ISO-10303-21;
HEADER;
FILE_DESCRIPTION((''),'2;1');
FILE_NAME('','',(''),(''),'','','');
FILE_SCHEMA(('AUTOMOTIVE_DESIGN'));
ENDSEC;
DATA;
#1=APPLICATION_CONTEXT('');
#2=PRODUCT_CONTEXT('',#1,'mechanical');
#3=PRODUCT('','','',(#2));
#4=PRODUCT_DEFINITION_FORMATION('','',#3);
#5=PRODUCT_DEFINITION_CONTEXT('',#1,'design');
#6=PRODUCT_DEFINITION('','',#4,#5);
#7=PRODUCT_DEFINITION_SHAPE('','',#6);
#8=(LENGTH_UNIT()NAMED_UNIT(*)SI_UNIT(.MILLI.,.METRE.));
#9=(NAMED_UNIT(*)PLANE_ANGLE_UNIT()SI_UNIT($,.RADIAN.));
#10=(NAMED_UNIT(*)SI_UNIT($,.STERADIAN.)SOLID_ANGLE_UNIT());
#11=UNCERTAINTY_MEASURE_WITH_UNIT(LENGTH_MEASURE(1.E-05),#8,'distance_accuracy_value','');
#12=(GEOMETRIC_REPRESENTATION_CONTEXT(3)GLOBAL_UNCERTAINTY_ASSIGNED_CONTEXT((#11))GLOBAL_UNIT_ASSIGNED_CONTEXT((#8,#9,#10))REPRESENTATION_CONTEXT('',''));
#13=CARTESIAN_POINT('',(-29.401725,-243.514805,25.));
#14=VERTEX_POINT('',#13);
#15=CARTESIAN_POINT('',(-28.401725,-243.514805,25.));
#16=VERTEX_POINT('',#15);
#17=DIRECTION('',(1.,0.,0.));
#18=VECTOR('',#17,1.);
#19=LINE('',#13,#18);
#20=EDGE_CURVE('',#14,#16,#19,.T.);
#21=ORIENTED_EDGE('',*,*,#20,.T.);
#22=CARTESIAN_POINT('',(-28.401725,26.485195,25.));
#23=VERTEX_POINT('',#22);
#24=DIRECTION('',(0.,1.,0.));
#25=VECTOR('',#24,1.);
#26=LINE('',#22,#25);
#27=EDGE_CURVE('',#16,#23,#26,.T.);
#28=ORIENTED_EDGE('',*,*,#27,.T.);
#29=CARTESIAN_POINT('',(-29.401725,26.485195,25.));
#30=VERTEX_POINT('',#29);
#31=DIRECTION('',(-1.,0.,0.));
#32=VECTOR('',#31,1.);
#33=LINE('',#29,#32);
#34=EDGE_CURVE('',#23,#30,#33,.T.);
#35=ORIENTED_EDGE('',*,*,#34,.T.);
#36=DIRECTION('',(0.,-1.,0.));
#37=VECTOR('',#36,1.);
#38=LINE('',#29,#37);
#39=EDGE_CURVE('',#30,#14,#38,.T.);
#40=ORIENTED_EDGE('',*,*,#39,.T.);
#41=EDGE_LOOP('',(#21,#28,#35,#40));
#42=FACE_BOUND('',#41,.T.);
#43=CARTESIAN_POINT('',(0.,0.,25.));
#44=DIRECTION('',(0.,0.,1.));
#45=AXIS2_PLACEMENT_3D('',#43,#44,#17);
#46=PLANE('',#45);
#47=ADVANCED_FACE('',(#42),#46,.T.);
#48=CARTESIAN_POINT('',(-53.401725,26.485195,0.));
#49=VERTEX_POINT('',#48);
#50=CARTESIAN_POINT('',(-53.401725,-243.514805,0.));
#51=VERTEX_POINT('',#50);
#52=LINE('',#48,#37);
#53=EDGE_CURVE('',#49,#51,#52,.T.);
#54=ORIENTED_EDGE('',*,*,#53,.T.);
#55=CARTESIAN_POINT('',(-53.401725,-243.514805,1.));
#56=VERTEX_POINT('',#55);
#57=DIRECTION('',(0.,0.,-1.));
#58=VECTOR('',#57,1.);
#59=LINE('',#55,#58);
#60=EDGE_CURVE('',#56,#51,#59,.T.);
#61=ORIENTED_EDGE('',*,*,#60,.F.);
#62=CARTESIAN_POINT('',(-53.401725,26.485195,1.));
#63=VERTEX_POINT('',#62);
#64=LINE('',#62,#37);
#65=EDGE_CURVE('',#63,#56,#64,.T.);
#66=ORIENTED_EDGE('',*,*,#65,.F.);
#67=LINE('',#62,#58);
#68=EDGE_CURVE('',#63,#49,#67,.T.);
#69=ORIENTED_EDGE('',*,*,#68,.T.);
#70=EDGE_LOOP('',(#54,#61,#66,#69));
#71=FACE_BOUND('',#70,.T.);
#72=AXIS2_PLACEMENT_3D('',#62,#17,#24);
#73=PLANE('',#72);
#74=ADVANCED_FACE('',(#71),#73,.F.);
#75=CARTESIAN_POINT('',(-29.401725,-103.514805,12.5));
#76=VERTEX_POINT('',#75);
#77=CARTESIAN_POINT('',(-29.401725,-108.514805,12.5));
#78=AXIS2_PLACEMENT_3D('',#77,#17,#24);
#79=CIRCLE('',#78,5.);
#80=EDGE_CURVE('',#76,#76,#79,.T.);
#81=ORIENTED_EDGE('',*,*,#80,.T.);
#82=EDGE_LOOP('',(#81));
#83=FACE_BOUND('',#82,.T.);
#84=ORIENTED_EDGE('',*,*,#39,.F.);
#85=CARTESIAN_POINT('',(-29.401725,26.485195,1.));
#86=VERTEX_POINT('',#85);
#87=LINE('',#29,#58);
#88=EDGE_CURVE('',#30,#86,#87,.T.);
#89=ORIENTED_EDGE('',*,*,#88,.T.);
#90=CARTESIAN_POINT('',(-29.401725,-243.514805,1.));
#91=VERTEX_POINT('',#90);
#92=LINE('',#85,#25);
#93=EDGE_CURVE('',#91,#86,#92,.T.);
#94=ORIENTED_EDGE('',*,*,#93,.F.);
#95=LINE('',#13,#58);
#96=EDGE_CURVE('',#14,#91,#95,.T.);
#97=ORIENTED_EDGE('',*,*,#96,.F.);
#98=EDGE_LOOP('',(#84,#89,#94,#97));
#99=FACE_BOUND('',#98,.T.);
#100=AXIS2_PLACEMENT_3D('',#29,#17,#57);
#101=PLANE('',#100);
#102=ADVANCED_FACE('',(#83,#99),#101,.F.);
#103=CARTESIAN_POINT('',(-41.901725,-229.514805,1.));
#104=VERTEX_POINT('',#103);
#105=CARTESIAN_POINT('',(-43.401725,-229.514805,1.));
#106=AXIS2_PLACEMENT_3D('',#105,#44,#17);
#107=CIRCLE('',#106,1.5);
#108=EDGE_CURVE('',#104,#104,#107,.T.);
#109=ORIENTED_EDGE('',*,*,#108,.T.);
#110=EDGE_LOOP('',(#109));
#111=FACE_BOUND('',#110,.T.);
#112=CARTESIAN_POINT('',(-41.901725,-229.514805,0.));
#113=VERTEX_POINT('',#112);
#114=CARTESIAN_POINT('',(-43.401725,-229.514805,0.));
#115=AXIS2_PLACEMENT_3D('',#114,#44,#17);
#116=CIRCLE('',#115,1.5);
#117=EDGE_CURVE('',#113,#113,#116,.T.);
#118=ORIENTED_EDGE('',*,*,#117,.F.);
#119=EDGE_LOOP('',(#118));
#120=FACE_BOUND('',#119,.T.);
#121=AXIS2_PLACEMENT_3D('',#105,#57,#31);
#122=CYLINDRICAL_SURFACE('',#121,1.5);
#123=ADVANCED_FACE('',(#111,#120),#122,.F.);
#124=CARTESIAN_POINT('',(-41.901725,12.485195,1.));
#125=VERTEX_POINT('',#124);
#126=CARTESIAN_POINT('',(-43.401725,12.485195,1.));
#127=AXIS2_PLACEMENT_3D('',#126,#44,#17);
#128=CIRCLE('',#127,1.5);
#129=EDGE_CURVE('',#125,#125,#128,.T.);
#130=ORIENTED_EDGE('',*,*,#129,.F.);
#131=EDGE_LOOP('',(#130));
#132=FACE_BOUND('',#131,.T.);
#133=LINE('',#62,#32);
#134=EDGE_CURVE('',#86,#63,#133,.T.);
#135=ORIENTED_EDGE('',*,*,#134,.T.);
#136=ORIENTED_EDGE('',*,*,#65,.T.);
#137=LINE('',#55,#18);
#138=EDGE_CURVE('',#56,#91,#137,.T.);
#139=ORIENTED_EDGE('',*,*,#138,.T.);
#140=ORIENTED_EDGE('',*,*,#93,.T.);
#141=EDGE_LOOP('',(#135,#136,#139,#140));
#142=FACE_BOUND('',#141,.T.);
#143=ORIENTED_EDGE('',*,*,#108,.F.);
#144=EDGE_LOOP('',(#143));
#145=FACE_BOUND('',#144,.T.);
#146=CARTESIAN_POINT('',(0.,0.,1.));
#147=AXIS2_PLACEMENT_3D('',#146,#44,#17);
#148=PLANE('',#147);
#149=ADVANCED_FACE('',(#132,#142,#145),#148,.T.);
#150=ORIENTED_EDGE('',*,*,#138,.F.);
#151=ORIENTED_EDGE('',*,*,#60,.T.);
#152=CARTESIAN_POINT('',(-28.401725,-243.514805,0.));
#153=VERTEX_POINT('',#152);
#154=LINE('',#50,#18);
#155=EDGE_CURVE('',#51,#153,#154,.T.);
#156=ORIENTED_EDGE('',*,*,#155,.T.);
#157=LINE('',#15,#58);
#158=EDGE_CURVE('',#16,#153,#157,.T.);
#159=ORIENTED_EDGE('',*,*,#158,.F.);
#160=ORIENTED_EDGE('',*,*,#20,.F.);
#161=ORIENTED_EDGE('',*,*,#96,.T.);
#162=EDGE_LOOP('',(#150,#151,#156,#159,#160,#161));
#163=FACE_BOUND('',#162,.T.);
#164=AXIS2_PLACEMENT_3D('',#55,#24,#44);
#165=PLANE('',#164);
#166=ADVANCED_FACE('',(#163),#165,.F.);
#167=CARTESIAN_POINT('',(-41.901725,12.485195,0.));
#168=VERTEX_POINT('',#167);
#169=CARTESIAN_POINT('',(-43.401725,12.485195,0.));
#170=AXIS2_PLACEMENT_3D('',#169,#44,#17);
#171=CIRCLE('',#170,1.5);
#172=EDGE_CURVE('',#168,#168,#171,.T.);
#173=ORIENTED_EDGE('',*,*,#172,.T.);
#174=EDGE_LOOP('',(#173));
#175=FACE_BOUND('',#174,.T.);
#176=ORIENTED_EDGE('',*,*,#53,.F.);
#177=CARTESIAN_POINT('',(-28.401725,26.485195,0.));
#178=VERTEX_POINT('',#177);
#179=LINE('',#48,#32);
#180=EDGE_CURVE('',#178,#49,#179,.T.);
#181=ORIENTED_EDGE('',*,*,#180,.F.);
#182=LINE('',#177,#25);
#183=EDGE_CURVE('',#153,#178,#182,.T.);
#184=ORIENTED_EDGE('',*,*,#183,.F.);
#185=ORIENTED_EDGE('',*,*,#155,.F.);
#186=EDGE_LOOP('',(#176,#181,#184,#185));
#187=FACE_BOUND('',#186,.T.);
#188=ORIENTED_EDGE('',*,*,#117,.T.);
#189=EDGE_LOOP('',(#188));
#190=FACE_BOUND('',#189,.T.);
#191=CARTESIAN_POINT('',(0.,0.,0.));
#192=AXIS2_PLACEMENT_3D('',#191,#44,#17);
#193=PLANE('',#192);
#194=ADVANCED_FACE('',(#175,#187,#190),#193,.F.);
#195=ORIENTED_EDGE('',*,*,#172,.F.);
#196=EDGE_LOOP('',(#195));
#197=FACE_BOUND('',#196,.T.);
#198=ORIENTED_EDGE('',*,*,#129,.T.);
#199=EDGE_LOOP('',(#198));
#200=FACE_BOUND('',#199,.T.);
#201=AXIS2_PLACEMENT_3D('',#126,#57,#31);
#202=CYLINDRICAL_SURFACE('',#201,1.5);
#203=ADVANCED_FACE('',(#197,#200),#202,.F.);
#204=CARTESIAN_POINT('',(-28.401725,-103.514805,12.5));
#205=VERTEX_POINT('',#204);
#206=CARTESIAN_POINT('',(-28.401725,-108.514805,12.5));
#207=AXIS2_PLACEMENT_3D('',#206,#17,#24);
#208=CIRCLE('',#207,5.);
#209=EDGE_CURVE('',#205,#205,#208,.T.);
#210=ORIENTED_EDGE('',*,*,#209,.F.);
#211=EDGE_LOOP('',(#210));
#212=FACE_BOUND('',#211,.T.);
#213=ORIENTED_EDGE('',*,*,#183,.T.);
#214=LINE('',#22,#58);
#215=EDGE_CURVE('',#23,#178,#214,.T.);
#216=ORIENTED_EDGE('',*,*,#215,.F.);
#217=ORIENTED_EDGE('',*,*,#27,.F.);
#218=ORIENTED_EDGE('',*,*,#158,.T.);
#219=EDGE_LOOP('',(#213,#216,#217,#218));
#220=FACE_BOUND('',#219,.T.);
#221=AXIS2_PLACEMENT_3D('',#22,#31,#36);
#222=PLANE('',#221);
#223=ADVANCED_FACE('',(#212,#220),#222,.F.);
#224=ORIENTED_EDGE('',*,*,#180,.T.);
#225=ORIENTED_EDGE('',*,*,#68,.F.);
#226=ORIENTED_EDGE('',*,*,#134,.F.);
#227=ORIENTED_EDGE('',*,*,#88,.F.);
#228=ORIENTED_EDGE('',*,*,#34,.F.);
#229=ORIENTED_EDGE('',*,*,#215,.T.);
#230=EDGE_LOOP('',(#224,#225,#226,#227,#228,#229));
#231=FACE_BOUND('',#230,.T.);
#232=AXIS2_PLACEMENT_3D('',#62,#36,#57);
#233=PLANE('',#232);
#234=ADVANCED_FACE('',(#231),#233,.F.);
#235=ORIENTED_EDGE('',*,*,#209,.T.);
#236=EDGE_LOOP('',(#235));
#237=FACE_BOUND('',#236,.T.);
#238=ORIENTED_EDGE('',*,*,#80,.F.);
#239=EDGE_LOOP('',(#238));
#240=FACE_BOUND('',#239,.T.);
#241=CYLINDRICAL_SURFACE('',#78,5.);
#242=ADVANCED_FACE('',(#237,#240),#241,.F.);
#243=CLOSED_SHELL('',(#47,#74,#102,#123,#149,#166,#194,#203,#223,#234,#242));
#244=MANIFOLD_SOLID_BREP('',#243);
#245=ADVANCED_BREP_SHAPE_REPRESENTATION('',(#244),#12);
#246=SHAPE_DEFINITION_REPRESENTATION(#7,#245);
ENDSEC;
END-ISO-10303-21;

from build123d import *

# Parameters (mm, degrees)
CROQUIS1_W              = 24
CROQUIS1_H              = 270
CROQUIS1_R              = 1.5
SALIENTE_EXTRUIR1_DEPTH = 1
CROQUIS2_W              = 1
CROQUIS2_H              = 270
SALIENTE_EXTRUIR2_DEPTH = 25
CROQUIS3_R              = 5
CORTAR_EXTRUIR1_DEPTH   = 1


with BuildPart() as part:
    # Croquis1 → Saliente-Extruir1 (new body)
    with BuildSketch(Plane.XY):
        with Locations((-41.401725042, -108.514805415)):
            Rectangle(CROQUIS1_W, CROQUIS1_H)
        with Locations((-43.401725042, 12.485194585)):
            Circle(CROQUIS1_R, mode=Mode.SUBTRACT)
        with Locations((-43.401725042, -229.514805415)):
            Circle(CROQUIS1_R, mode=Mode.SUBTRACT)
    extrude(amount=SALIENTE_EXTRUIR1_DEPTH)

    # Croquis2 → Saliente-Extruir2 (add)
    with BuildSketch(Plane.XY):
        with Locations((-28.901725042, -108.514805415)):
            Rectangle(CROQUIS2_W, CROQUIS2_H)
    extrude(amount=SALIENTE_EXTRUIR2_DEPTH)

    # Croquis3 → Cortar-Extruir1 (cut)
    with BuildSketch(Plane(origin=(-28.401725042, 0, 0), x_dir=(0, 0, -1), z_dir=(1, 0, 0))):
        with Locations((-12.5, -108.514805415)):
            Circle(CROQUIS3_R)
    extrude(amount=-CORTAR_EXTRUIR1_DEPTH, mode=Mode.SUBTRACT)


solid = part.part
